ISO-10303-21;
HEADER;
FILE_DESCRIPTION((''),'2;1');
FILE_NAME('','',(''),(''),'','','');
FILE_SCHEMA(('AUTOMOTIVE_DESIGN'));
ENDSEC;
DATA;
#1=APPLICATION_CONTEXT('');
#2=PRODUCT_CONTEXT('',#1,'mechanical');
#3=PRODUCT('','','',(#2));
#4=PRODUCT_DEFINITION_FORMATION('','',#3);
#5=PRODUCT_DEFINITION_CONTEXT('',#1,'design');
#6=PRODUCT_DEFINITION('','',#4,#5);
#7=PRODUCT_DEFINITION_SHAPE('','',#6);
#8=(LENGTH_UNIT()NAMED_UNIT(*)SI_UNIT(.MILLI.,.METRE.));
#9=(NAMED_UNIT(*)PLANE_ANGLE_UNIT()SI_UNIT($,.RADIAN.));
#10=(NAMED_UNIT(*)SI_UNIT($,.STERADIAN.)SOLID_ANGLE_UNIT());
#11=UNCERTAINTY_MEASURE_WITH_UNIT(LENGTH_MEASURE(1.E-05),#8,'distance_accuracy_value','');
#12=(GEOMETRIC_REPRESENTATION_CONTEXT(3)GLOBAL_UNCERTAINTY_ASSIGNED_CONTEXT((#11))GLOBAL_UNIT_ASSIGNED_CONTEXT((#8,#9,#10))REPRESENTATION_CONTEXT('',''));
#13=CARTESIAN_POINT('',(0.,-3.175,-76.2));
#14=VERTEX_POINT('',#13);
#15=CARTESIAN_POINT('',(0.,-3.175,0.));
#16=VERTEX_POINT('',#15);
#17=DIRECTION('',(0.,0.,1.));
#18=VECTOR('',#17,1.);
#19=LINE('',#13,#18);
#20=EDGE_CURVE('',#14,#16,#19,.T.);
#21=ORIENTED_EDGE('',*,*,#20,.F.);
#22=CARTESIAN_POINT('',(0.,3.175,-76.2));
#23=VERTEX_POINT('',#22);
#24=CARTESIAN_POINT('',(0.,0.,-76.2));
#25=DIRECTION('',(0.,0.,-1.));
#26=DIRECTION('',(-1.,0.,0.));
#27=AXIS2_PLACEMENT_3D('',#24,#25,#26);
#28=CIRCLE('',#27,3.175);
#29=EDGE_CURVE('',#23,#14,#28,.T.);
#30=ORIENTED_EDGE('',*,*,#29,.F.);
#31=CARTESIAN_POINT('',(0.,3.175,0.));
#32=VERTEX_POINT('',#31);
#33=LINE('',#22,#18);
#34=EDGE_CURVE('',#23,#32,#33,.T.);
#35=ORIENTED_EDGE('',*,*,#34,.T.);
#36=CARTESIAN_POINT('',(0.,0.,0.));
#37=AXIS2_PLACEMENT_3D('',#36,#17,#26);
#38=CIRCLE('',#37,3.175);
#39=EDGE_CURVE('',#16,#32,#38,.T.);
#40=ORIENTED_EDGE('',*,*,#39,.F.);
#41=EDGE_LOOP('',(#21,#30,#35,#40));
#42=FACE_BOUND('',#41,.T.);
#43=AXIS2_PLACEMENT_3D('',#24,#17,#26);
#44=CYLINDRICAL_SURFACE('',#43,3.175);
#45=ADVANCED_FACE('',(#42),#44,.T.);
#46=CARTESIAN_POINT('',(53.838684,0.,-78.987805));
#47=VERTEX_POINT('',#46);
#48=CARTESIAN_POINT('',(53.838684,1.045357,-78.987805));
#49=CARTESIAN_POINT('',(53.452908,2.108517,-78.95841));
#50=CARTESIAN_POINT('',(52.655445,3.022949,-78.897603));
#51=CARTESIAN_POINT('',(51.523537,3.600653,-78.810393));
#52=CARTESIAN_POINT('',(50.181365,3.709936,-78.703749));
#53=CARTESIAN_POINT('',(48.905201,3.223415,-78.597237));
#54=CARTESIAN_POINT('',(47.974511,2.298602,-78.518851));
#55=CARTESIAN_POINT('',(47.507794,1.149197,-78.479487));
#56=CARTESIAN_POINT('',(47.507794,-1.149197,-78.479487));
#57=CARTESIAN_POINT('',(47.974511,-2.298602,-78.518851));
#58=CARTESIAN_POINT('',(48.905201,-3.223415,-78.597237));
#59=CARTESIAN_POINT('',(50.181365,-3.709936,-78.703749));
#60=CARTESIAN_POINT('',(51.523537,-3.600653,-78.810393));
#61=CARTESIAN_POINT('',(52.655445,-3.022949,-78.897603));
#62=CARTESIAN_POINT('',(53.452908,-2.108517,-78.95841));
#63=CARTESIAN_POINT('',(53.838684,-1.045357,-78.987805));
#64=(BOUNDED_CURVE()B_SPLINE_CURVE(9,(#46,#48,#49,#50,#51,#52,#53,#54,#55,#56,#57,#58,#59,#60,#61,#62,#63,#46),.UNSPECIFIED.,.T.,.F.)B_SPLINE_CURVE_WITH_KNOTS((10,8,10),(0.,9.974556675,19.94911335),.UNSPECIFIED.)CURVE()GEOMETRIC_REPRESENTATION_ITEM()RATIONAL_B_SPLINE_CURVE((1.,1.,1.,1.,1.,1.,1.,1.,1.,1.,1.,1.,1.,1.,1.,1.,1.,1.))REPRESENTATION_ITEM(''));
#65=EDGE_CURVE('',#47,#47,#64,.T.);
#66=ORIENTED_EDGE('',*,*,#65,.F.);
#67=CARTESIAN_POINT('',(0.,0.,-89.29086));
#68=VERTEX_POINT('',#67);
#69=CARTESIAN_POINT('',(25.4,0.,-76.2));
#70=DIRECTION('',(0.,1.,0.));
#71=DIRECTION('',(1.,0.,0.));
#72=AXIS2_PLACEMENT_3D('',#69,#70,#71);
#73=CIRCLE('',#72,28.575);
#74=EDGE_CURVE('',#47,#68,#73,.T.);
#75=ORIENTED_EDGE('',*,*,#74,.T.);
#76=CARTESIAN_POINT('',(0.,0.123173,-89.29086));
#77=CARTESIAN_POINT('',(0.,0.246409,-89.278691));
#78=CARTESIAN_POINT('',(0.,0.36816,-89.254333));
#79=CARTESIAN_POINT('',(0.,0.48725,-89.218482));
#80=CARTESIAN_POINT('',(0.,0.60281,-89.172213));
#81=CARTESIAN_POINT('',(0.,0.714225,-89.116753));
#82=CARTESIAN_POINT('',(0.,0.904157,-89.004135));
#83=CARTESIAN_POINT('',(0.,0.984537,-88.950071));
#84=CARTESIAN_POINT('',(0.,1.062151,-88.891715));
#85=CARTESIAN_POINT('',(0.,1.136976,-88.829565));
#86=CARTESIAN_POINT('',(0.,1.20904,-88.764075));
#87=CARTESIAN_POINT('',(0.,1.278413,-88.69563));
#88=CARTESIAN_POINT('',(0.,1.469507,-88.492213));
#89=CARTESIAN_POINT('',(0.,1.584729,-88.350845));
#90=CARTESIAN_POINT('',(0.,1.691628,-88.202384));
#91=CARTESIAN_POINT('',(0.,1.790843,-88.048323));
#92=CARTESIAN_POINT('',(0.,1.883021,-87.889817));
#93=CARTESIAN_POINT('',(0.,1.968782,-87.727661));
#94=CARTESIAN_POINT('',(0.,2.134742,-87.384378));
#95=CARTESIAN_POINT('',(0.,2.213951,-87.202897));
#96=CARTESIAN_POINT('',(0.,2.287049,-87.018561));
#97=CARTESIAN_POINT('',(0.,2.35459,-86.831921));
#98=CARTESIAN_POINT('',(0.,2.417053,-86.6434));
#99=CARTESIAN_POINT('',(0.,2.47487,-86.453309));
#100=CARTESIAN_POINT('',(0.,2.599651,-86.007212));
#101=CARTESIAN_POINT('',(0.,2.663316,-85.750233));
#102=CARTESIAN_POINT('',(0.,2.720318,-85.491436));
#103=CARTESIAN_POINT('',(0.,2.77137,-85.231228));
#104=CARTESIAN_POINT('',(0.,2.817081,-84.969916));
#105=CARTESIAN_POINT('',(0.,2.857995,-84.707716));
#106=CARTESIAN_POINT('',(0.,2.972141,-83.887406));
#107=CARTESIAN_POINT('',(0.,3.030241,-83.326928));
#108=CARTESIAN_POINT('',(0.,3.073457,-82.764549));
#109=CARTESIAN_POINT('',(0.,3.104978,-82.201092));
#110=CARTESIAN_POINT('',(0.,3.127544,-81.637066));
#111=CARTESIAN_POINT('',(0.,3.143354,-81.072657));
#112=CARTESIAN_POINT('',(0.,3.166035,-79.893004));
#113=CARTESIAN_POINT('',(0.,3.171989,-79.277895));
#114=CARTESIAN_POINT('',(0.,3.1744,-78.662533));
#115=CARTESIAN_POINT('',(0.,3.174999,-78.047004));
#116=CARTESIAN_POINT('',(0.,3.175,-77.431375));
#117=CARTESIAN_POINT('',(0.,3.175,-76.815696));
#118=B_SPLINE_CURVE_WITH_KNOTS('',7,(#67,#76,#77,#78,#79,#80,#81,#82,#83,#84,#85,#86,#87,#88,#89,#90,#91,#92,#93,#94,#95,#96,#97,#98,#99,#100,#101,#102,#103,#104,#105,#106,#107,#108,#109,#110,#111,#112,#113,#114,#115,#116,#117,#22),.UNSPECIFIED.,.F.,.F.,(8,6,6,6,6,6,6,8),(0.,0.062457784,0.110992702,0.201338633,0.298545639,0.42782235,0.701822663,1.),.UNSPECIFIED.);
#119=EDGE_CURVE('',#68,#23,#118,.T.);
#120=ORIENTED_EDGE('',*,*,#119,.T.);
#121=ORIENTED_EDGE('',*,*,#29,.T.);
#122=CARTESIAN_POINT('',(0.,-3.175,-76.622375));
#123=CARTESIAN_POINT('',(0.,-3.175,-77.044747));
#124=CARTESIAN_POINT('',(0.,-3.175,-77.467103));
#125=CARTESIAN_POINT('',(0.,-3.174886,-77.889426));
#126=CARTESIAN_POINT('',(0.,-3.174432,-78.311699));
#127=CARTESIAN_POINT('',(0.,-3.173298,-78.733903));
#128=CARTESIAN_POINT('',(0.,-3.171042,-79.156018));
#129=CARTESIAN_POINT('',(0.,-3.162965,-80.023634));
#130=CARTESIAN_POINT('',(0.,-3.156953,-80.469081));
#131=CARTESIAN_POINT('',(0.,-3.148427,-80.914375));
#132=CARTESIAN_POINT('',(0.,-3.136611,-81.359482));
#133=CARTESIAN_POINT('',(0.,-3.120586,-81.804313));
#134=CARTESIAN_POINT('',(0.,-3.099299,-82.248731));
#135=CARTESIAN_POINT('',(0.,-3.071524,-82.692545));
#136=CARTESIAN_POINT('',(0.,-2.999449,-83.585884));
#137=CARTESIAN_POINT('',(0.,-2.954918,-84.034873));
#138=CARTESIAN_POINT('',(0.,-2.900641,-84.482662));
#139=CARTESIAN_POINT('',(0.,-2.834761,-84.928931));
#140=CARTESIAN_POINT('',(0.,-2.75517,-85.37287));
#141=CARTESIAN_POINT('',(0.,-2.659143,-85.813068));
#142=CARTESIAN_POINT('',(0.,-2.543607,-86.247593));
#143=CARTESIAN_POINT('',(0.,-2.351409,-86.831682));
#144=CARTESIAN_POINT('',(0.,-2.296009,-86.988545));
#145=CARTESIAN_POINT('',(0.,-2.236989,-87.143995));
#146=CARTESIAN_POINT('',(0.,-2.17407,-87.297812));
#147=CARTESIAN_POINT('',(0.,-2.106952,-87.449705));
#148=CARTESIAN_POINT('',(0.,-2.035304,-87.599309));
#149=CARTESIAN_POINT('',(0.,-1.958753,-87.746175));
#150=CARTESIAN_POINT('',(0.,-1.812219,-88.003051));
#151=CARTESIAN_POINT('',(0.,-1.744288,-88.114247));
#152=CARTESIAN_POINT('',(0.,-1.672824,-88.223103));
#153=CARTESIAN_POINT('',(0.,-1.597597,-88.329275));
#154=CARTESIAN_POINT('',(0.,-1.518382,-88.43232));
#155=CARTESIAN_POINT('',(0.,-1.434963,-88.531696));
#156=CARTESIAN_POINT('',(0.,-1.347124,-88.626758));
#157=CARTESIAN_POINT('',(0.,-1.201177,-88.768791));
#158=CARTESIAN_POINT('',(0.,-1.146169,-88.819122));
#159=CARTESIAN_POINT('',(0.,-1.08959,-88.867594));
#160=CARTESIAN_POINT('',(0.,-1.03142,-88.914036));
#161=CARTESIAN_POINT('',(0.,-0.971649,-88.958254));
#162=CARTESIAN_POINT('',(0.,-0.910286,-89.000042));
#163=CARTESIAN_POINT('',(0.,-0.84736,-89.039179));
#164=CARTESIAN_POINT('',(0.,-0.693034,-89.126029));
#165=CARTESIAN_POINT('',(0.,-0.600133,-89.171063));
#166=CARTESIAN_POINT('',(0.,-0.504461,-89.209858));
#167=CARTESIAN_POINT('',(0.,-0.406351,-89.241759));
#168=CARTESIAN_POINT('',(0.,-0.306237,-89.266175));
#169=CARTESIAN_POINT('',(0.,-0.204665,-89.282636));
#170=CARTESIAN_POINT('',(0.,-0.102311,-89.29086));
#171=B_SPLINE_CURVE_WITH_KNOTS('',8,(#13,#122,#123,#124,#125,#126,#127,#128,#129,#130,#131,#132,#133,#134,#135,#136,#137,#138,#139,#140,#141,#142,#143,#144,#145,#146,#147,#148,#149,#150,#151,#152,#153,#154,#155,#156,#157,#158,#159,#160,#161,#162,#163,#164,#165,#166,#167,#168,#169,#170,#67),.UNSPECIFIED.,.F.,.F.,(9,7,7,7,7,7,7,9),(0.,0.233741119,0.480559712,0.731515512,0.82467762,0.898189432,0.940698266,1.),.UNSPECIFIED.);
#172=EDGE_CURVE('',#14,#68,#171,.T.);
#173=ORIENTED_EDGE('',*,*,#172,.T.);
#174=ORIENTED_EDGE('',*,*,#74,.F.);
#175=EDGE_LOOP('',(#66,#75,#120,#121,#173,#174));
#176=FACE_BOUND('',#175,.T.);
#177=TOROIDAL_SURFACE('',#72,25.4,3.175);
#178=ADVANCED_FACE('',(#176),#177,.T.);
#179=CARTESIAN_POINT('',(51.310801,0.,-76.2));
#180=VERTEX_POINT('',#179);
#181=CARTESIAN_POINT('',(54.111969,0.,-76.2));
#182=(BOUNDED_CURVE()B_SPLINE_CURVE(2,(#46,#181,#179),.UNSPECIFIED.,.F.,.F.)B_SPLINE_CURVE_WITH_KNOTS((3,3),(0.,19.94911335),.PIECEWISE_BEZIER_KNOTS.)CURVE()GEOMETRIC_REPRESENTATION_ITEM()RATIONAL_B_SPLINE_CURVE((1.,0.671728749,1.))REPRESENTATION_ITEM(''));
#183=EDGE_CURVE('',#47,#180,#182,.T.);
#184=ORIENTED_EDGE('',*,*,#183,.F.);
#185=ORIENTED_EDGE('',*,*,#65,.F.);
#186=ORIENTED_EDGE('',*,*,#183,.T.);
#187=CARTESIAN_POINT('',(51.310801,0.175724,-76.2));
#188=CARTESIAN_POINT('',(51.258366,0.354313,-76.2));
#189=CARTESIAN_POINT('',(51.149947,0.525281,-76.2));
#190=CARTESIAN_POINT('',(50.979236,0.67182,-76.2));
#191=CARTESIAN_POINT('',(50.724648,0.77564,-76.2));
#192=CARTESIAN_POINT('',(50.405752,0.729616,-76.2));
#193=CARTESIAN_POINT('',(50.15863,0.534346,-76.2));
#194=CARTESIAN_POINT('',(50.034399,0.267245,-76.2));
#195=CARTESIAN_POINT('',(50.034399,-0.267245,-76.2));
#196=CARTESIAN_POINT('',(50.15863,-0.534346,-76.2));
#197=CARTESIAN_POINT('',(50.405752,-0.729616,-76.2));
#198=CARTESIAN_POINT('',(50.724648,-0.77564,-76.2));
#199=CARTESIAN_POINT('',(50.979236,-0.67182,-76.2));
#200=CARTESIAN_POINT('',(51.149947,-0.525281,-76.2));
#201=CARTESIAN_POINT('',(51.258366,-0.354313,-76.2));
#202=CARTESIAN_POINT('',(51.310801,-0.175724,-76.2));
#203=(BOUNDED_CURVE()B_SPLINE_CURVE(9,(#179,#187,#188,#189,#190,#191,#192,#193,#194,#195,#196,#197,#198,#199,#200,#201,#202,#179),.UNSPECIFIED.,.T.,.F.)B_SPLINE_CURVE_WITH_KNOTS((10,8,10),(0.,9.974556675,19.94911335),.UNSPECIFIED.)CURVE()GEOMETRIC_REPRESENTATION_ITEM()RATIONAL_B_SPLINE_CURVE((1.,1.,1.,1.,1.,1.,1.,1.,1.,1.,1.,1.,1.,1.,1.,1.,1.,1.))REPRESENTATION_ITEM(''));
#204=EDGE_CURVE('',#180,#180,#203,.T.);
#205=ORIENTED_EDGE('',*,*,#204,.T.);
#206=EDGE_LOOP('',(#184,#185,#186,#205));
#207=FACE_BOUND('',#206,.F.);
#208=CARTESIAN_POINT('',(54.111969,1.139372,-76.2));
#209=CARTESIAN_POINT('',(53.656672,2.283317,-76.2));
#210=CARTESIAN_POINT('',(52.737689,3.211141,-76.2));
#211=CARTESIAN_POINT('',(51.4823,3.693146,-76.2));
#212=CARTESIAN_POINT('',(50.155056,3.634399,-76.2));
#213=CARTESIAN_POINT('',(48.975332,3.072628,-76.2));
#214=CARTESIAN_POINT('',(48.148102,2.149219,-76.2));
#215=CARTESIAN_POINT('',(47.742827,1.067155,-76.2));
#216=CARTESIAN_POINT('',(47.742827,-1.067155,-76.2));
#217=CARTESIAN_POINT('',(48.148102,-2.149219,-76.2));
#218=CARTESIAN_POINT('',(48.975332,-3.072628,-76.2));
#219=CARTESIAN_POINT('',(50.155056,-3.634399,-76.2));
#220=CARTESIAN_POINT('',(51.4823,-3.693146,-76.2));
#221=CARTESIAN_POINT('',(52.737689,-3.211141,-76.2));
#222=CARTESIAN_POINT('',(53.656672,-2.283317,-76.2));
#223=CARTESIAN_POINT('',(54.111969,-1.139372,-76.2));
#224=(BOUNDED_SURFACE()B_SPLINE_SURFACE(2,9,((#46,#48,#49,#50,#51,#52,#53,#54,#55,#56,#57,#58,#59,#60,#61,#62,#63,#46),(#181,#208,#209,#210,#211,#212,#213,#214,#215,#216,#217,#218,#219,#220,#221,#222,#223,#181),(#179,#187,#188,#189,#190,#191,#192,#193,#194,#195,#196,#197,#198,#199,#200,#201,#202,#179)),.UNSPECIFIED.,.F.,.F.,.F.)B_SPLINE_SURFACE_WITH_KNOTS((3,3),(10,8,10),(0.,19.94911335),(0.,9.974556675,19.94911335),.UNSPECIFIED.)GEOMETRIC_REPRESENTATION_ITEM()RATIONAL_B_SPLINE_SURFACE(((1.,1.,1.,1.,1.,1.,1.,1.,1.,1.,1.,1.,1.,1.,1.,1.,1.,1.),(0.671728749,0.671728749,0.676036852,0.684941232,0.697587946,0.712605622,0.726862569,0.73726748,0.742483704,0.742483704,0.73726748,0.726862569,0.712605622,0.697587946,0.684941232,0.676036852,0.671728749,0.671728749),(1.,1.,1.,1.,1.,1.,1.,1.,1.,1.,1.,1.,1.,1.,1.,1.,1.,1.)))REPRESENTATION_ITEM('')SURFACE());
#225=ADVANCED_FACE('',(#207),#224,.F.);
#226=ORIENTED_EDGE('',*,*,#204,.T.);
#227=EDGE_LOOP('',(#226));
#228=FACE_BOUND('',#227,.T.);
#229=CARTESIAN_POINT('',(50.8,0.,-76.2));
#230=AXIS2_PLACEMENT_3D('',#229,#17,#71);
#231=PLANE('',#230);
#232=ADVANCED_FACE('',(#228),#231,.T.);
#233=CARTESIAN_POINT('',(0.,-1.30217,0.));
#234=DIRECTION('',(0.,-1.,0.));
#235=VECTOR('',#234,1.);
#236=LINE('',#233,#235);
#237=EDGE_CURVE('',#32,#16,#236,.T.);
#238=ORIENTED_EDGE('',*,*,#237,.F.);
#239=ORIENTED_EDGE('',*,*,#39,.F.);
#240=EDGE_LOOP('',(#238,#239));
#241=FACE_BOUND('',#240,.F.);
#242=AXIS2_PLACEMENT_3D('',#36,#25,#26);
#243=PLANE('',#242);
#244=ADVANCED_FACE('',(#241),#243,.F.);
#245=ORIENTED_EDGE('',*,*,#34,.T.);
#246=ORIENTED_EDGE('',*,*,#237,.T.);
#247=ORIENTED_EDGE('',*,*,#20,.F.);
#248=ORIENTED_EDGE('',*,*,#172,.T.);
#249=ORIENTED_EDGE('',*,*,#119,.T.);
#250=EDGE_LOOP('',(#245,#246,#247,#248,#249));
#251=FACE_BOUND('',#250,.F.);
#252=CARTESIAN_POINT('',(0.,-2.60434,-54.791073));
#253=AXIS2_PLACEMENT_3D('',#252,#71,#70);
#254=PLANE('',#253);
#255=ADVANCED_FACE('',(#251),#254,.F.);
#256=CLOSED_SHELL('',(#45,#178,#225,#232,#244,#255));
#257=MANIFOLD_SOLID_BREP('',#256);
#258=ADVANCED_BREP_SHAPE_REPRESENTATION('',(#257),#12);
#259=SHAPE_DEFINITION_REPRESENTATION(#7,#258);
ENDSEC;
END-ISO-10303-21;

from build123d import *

# Parameters (mm, degrees)
F2_R     = 3.175
F4_R     = 2.54
F5_W     = 34.6189280972
F5_H     = 141.0606596619
F6_DEPTH = 25.4


with BuildPart() as f3:
    # F3: sweep along a path in F0
    with BuildLine(Plane.XZ) as f3_path:
        ThreePointArc((50.8, -76.2), (25.4, -101.6), (0, -76.2))
        Line((0, -76.2), (0, 0))
    # F2 (on plane+point) → F3 (sweep)
    with BuildSketch(Plane.XY.offset(-76.2)):
        with Locations((50.8, 0)):
            Circle(F2_R)
    sweep(path=f3_path.line)

    # F4
    f4_edges = [f3.edges().sort_by_distance(p)[0] for p in [
        (47.625, 0, -76.2),
    ]]
    fillet(f4_edges, radius=F4_R)

    # F5 (on Right) → F6 (cut)
    with BuildSketch(Plane.YZ):
        with Locations((-2.6043397374, -54.7910733148)):
            Rectangle(F5_W, F5_H)
    extrude(amount=-F6_DEPTH, mode=Mode.SUBTRACT)


solid = f3.part
